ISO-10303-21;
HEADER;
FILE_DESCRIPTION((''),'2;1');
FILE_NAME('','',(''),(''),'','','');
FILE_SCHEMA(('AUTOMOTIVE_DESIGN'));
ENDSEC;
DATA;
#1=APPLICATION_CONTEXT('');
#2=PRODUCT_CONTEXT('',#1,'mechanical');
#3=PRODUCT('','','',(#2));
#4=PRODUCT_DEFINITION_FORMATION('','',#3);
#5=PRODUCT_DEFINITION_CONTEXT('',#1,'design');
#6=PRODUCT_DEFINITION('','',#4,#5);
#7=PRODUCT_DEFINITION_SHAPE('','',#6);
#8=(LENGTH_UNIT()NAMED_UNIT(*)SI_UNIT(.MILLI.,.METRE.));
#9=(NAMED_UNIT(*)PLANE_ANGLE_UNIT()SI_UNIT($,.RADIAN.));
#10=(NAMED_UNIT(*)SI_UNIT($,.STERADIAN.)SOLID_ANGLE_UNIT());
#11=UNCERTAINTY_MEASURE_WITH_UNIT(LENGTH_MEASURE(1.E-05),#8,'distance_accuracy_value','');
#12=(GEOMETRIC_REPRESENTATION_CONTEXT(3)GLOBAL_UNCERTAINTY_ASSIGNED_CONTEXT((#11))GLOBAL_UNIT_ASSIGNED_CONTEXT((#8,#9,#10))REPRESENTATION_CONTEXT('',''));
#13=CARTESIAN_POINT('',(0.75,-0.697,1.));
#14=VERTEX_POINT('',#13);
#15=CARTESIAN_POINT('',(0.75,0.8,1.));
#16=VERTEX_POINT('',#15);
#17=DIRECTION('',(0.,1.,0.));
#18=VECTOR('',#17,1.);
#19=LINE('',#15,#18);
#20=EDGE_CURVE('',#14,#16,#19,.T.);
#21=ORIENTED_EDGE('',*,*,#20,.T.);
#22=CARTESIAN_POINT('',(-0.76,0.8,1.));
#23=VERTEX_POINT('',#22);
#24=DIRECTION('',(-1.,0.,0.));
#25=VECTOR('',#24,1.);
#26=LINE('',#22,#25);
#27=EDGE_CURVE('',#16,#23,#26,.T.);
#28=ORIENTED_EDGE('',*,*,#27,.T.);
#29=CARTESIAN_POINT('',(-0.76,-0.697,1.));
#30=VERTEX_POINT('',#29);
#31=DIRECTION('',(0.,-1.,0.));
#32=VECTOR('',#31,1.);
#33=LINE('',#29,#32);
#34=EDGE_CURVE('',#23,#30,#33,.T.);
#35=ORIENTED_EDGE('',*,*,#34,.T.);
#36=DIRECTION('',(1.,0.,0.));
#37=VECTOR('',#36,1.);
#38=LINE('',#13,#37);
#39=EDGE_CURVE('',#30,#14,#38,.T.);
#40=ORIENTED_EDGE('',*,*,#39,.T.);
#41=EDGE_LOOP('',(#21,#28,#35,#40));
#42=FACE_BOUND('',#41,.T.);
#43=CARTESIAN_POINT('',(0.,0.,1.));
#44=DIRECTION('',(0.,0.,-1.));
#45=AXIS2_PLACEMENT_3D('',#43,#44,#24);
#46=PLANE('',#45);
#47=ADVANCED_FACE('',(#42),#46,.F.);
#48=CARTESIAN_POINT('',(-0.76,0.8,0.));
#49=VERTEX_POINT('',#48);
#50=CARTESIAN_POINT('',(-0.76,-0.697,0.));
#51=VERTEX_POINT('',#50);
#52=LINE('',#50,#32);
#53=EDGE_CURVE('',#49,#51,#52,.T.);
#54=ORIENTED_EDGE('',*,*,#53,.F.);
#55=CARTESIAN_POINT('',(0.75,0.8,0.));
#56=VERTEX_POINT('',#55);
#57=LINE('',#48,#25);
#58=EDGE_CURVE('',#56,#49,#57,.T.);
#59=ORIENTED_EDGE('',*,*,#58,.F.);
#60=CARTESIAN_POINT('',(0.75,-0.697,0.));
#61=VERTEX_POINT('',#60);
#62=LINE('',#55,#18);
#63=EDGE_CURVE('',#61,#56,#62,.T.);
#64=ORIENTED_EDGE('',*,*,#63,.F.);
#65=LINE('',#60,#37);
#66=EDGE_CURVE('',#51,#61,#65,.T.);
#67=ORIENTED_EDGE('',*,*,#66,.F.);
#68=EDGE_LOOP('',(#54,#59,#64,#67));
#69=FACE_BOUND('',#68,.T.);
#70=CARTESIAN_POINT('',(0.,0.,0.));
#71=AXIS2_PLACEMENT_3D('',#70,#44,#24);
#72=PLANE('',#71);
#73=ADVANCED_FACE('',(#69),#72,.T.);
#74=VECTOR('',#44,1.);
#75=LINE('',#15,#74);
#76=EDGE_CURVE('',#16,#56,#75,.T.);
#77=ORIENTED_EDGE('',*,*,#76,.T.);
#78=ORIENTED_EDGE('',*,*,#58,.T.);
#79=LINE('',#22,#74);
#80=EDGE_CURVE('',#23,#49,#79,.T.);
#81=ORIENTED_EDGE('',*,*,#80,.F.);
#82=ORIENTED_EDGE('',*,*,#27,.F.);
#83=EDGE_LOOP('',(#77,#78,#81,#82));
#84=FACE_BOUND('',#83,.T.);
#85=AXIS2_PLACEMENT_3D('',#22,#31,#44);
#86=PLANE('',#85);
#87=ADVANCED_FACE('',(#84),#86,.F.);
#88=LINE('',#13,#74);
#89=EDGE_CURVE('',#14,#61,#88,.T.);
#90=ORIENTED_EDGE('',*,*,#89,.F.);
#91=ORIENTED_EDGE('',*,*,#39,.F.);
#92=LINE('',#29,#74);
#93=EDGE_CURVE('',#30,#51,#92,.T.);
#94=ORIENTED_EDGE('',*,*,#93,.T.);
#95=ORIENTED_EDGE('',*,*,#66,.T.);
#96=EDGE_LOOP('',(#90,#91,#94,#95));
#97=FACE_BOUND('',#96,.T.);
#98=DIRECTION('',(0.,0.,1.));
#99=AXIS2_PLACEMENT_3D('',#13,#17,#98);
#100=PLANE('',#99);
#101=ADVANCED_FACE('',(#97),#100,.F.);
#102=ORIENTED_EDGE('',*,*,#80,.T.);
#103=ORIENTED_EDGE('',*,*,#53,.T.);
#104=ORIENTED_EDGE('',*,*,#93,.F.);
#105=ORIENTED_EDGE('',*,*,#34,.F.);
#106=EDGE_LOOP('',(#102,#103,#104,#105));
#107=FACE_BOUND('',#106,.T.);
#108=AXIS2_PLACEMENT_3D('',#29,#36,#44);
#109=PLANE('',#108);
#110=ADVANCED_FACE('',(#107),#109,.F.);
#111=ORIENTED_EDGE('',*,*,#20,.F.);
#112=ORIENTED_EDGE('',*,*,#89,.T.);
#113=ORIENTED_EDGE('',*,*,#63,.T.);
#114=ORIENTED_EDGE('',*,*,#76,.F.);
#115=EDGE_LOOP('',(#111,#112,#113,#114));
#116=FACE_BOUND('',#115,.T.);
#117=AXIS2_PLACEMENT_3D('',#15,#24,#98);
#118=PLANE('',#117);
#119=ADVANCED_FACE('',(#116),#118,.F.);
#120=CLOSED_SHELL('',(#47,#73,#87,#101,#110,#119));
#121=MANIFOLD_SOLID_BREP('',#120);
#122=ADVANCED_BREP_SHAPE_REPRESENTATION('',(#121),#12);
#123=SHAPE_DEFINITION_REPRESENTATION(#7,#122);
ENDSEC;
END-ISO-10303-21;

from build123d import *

# Parameters (mm, degrees)
SKETCH1_W               = 1.51
SKETCH1_H               = 1.497
COMPONENT_OUTLINE_DEPTH = 1


with BuildPart() as part:
    # Sketch1 → Component_Outline (new body)
    with BuildSketch(Plane.XY):
        with Locations((-0.005, 0.0515)):
            Rectangle(SKETCH1_W, SKETCH1_H)
    extrude(amount=COMPONENT_OUTLINE_DEPTH)


solid = part.part
